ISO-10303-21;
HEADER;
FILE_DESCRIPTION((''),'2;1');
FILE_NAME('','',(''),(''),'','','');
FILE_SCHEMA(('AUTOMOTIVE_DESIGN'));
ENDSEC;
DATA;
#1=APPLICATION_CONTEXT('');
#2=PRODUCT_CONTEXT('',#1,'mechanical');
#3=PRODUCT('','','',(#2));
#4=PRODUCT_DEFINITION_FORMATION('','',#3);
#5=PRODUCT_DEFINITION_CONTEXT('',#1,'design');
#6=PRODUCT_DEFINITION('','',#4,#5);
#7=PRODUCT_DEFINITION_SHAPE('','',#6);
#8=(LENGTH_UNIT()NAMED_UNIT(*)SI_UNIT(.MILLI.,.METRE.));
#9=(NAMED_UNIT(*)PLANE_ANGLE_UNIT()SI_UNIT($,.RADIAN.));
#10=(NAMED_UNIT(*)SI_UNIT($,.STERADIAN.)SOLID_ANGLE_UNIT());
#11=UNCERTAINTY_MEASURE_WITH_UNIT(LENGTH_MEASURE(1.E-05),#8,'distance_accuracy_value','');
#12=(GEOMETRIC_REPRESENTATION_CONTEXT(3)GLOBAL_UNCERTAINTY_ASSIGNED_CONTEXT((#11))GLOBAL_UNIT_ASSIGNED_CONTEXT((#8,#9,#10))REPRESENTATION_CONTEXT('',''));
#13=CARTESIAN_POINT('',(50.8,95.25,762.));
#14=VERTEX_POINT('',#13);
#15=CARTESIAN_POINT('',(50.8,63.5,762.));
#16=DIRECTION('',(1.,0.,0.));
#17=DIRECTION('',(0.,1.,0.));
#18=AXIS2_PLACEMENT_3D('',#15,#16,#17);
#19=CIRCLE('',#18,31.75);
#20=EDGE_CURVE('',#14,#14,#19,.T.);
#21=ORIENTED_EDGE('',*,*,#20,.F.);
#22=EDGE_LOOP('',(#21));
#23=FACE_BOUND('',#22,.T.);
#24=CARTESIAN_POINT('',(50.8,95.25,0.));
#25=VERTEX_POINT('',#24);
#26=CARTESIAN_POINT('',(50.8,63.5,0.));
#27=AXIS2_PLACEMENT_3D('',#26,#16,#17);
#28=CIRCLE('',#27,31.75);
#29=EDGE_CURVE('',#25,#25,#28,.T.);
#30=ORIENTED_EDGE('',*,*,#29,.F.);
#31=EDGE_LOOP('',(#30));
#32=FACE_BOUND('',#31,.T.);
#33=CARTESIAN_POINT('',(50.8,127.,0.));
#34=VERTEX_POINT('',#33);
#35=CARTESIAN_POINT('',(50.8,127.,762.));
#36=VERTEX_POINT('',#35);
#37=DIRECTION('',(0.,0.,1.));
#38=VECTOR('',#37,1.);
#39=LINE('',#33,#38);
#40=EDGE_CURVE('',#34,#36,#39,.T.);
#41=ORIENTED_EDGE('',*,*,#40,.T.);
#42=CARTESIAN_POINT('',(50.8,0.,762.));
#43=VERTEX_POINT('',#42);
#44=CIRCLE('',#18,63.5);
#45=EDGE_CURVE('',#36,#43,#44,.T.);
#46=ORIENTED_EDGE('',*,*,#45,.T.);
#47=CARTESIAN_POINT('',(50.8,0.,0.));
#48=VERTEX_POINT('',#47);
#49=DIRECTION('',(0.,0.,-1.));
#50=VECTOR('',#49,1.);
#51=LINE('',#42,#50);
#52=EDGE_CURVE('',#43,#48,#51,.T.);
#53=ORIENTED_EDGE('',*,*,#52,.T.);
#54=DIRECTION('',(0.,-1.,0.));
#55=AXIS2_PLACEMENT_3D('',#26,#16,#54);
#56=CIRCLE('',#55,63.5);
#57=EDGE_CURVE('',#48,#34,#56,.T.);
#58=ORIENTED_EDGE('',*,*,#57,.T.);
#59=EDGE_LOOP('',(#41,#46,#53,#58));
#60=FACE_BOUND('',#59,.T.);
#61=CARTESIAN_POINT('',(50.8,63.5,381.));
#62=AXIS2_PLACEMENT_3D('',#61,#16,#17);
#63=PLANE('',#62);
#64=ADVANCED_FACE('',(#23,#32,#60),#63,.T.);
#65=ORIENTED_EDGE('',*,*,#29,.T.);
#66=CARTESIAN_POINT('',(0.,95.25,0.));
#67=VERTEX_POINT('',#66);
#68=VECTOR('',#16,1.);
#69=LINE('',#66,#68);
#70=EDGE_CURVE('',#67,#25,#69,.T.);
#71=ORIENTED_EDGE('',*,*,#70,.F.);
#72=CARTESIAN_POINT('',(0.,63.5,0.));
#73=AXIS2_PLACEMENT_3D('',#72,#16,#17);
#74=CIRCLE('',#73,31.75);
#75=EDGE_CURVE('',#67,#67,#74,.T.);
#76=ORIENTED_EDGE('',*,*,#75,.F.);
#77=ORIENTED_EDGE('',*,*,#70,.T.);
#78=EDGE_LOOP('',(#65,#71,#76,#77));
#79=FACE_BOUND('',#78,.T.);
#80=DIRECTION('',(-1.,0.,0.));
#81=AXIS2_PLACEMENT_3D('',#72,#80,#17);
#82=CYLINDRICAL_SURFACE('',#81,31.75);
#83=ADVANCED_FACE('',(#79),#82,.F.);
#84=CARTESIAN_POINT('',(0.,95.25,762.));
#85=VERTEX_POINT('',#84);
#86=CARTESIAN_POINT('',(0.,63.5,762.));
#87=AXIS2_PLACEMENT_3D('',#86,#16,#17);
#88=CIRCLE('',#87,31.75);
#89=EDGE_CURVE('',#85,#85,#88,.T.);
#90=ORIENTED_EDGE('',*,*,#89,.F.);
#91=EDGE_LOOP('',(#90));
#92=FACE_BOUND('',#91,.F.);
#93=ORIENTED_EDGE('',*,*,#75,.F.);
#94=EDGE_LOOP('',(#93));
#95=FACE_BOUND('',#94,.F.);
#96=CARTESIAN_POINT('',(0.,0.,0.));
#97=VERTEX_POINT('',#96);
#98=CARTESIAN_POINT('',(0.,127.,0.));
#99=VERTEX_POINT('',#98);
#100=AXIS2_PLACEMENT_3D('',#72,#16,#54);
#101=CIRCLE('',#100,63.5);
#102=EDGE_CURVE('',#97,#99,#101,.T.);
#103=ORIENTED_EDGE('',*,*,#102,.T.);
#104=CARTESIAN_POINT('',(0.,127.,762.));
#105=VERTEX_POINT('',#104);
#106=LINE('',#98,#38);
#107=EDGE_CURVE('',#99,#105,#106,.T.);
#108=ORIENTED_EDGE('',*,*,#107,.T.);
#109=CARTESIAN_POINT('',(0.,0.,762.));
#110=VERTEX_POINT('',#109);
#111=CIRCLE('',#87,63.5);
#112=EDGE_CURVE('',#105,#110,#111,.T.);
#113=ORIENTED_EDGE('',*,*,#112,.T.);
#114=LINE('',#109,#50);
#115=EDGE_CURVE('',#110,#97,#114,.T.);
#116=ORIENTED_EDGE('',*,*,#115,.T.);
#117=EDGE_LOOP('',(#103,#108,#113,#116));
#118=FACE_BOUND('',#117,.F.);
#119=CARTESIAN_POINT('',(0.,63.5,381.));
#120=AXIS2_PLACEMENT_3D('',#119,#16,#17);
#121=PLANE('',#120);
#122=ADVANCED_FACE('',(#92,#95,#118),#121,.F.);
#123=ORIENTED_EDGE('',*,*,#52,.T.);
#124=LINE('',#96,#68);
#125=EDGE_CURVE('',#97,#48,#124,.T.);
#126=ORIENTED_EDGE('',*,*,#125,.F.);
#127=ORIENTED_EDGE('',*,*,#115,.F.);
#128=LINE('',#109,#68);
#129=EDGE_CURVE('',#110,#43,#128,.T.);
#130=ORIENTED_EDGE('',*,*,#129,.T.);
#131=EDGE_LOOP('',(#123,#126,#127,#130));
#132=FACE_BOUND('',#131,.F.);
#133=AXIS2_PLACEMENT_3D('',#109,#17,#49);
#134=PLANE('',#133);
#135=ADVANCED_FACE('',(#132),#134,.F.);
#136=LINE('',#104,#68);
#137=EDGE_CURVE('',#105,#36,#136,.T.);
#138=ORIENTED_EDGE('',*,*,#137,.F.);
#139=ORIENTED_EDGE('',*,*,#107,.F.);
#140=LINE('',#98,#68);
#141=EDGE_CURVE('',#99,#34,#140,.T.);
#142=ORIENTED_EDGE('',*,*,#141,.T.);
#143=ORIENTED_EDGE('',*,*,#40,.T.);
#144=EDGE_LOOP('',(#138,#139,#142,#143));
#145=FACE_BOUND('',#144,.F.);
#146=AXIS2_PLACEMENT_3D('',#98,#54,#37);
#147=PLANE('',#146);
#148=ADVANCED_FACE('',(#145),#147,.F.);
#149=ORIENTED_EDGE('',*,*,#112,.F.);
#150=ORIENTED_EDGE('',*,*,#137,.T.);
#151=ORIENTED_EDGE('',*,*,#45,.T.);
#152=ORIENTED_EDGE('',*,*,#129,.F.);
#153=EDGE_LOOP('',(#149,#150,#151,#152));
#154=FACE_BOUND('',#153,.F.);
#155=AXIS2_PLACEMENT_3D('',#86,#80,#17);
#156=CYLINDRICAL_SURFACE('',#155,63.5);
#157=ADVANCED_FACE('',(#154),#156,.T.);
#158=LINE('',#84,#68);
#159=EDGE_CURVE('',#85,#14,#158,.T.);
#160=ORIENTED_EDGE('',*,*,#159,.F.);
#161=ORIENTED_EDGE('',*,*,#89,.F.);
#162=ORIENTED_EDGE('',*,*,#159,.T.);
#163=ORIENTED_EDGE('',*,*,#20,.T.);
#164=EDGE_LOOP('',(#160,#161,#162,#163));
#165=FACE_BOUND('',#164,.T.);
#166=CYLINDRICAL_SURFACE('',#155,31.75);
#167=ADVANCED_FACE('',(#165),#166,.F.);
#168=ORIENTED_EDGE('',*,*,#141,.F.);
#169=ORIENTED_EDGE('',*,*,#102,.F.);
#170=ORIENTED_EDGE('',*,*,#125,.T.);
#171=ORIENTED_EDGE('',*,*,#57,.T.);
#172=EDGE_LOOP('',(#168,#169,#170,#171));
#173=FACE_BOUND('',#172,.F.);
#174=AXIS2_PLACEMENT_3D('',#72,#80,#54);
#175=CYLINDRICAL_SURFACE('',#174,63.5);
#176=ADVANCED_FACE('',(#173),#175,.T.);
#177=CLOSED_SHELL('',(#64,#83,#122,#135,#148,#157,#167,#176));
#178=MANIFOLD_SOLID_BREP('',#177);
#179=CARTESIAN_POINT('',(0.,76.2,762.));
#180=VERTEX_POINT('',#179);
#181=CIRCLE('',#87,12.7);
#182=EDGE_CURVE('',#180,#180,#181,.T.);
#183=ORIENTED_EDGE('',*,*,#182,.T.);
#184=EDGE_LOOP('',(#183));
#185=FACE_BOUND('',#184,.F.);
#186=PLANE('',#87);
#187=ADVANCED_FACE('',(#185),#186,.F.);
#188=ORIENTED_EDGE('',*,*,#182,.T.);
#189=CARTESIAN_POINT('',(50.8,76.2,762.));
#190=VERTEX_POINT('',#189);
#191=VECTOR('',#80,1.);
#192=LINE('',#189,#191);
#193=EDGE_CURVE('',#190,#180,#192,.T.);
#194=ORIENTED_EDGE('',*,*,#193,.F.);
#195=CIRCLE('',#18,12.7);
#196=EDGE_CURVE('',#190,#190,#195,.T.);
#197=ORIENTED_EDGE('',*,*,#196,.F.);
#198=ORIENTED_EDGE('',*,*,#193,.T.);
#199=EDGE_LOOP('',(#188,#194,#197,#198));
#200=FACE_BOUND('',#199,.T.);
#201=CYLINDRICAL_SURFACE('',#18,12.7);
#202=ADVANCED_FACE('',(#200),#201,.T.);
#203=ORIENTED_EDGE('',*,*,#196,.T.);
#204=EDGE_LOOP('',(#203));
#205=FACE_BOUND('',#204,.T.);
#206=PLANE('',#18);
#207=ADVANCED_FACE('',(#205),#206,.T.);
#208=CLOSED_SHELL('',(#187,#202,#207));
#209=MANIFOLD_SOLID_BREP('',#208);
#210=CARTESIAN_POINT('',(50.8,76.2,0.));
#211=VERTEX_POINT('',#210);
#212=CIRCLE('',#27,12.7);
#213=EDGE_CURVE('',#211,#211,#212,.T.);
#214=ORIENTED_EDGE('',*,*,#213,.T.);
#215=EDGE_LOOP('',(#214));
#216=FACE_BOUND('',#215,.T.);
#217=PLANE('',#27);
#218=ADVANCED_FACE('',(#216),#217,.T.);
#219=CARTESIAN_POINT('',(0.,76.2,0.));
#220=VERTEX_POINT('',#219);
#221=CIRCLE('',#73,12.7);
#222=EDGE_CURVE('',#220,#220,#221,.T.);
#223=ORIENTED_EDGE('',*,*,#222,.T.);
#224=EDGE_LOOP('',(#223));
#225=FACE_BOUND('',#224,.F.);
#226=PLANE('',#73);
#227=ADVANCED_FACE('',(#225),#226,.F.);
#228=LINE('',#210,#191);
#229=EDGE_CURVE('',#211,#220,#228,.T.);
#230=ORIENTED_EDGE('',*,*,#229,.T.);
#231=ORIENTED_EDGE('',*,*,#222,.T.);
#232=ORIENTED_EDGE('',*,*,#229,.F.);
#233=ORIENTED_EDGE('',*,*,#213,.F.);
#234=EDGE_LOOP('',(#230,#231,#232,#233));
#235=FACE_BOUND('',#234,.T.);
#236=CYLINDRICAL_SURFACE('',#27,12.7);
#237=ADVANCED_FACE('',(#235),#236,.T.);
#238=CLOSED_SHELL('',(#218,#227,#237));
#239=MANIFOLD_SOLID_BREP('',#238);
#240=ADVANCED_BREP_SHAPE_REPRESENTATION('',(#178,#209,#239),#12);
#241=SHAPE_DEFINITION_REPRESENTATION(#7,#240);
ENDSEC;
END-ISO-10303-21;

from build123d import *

# Parameters (mm, degrees)
F0_R     = 31.75
F1_DEPTH = 50.8
F2_R     = 12.7
F3_DEPTH = 50.8


with BuildPart() as f1:
    # F0 (on Right) → F1 (new body)
    with BuildSketch(Plane.YZ):
        with BuildLine():
            Line((0, 762), (0, 0))
            ThreePointArc((0, 0), (63.5, -63.5), (127, 0))
            Line((127, 0), (127, 762))
            ThreePointArc((127, 762), (63.5, 825.5), (0, 762))
        make_face()
        with Locations((63.5, 0)):
            Circle(F0_R, mode=Mode.SUBTRACT)
        with Locations((63.5, 762)):
            Circle(F0_R, mode=Mode.SUBTRACT)
    extrude(amount=F1_DEPTH)


with BuildPart() as f3:
    # F2 (on face) → F3 (new body)
    with BuildSketch(Plane.YZ.offset(50.8)):
        with Locations((63.5, 762)):
            Circle(F2_R)
        with Locations((63.5, 0)):
            Circle(F2_R)
    extrude(amount=-F3_DEPTH)


solid = Compound([f1.part, f3.part])
